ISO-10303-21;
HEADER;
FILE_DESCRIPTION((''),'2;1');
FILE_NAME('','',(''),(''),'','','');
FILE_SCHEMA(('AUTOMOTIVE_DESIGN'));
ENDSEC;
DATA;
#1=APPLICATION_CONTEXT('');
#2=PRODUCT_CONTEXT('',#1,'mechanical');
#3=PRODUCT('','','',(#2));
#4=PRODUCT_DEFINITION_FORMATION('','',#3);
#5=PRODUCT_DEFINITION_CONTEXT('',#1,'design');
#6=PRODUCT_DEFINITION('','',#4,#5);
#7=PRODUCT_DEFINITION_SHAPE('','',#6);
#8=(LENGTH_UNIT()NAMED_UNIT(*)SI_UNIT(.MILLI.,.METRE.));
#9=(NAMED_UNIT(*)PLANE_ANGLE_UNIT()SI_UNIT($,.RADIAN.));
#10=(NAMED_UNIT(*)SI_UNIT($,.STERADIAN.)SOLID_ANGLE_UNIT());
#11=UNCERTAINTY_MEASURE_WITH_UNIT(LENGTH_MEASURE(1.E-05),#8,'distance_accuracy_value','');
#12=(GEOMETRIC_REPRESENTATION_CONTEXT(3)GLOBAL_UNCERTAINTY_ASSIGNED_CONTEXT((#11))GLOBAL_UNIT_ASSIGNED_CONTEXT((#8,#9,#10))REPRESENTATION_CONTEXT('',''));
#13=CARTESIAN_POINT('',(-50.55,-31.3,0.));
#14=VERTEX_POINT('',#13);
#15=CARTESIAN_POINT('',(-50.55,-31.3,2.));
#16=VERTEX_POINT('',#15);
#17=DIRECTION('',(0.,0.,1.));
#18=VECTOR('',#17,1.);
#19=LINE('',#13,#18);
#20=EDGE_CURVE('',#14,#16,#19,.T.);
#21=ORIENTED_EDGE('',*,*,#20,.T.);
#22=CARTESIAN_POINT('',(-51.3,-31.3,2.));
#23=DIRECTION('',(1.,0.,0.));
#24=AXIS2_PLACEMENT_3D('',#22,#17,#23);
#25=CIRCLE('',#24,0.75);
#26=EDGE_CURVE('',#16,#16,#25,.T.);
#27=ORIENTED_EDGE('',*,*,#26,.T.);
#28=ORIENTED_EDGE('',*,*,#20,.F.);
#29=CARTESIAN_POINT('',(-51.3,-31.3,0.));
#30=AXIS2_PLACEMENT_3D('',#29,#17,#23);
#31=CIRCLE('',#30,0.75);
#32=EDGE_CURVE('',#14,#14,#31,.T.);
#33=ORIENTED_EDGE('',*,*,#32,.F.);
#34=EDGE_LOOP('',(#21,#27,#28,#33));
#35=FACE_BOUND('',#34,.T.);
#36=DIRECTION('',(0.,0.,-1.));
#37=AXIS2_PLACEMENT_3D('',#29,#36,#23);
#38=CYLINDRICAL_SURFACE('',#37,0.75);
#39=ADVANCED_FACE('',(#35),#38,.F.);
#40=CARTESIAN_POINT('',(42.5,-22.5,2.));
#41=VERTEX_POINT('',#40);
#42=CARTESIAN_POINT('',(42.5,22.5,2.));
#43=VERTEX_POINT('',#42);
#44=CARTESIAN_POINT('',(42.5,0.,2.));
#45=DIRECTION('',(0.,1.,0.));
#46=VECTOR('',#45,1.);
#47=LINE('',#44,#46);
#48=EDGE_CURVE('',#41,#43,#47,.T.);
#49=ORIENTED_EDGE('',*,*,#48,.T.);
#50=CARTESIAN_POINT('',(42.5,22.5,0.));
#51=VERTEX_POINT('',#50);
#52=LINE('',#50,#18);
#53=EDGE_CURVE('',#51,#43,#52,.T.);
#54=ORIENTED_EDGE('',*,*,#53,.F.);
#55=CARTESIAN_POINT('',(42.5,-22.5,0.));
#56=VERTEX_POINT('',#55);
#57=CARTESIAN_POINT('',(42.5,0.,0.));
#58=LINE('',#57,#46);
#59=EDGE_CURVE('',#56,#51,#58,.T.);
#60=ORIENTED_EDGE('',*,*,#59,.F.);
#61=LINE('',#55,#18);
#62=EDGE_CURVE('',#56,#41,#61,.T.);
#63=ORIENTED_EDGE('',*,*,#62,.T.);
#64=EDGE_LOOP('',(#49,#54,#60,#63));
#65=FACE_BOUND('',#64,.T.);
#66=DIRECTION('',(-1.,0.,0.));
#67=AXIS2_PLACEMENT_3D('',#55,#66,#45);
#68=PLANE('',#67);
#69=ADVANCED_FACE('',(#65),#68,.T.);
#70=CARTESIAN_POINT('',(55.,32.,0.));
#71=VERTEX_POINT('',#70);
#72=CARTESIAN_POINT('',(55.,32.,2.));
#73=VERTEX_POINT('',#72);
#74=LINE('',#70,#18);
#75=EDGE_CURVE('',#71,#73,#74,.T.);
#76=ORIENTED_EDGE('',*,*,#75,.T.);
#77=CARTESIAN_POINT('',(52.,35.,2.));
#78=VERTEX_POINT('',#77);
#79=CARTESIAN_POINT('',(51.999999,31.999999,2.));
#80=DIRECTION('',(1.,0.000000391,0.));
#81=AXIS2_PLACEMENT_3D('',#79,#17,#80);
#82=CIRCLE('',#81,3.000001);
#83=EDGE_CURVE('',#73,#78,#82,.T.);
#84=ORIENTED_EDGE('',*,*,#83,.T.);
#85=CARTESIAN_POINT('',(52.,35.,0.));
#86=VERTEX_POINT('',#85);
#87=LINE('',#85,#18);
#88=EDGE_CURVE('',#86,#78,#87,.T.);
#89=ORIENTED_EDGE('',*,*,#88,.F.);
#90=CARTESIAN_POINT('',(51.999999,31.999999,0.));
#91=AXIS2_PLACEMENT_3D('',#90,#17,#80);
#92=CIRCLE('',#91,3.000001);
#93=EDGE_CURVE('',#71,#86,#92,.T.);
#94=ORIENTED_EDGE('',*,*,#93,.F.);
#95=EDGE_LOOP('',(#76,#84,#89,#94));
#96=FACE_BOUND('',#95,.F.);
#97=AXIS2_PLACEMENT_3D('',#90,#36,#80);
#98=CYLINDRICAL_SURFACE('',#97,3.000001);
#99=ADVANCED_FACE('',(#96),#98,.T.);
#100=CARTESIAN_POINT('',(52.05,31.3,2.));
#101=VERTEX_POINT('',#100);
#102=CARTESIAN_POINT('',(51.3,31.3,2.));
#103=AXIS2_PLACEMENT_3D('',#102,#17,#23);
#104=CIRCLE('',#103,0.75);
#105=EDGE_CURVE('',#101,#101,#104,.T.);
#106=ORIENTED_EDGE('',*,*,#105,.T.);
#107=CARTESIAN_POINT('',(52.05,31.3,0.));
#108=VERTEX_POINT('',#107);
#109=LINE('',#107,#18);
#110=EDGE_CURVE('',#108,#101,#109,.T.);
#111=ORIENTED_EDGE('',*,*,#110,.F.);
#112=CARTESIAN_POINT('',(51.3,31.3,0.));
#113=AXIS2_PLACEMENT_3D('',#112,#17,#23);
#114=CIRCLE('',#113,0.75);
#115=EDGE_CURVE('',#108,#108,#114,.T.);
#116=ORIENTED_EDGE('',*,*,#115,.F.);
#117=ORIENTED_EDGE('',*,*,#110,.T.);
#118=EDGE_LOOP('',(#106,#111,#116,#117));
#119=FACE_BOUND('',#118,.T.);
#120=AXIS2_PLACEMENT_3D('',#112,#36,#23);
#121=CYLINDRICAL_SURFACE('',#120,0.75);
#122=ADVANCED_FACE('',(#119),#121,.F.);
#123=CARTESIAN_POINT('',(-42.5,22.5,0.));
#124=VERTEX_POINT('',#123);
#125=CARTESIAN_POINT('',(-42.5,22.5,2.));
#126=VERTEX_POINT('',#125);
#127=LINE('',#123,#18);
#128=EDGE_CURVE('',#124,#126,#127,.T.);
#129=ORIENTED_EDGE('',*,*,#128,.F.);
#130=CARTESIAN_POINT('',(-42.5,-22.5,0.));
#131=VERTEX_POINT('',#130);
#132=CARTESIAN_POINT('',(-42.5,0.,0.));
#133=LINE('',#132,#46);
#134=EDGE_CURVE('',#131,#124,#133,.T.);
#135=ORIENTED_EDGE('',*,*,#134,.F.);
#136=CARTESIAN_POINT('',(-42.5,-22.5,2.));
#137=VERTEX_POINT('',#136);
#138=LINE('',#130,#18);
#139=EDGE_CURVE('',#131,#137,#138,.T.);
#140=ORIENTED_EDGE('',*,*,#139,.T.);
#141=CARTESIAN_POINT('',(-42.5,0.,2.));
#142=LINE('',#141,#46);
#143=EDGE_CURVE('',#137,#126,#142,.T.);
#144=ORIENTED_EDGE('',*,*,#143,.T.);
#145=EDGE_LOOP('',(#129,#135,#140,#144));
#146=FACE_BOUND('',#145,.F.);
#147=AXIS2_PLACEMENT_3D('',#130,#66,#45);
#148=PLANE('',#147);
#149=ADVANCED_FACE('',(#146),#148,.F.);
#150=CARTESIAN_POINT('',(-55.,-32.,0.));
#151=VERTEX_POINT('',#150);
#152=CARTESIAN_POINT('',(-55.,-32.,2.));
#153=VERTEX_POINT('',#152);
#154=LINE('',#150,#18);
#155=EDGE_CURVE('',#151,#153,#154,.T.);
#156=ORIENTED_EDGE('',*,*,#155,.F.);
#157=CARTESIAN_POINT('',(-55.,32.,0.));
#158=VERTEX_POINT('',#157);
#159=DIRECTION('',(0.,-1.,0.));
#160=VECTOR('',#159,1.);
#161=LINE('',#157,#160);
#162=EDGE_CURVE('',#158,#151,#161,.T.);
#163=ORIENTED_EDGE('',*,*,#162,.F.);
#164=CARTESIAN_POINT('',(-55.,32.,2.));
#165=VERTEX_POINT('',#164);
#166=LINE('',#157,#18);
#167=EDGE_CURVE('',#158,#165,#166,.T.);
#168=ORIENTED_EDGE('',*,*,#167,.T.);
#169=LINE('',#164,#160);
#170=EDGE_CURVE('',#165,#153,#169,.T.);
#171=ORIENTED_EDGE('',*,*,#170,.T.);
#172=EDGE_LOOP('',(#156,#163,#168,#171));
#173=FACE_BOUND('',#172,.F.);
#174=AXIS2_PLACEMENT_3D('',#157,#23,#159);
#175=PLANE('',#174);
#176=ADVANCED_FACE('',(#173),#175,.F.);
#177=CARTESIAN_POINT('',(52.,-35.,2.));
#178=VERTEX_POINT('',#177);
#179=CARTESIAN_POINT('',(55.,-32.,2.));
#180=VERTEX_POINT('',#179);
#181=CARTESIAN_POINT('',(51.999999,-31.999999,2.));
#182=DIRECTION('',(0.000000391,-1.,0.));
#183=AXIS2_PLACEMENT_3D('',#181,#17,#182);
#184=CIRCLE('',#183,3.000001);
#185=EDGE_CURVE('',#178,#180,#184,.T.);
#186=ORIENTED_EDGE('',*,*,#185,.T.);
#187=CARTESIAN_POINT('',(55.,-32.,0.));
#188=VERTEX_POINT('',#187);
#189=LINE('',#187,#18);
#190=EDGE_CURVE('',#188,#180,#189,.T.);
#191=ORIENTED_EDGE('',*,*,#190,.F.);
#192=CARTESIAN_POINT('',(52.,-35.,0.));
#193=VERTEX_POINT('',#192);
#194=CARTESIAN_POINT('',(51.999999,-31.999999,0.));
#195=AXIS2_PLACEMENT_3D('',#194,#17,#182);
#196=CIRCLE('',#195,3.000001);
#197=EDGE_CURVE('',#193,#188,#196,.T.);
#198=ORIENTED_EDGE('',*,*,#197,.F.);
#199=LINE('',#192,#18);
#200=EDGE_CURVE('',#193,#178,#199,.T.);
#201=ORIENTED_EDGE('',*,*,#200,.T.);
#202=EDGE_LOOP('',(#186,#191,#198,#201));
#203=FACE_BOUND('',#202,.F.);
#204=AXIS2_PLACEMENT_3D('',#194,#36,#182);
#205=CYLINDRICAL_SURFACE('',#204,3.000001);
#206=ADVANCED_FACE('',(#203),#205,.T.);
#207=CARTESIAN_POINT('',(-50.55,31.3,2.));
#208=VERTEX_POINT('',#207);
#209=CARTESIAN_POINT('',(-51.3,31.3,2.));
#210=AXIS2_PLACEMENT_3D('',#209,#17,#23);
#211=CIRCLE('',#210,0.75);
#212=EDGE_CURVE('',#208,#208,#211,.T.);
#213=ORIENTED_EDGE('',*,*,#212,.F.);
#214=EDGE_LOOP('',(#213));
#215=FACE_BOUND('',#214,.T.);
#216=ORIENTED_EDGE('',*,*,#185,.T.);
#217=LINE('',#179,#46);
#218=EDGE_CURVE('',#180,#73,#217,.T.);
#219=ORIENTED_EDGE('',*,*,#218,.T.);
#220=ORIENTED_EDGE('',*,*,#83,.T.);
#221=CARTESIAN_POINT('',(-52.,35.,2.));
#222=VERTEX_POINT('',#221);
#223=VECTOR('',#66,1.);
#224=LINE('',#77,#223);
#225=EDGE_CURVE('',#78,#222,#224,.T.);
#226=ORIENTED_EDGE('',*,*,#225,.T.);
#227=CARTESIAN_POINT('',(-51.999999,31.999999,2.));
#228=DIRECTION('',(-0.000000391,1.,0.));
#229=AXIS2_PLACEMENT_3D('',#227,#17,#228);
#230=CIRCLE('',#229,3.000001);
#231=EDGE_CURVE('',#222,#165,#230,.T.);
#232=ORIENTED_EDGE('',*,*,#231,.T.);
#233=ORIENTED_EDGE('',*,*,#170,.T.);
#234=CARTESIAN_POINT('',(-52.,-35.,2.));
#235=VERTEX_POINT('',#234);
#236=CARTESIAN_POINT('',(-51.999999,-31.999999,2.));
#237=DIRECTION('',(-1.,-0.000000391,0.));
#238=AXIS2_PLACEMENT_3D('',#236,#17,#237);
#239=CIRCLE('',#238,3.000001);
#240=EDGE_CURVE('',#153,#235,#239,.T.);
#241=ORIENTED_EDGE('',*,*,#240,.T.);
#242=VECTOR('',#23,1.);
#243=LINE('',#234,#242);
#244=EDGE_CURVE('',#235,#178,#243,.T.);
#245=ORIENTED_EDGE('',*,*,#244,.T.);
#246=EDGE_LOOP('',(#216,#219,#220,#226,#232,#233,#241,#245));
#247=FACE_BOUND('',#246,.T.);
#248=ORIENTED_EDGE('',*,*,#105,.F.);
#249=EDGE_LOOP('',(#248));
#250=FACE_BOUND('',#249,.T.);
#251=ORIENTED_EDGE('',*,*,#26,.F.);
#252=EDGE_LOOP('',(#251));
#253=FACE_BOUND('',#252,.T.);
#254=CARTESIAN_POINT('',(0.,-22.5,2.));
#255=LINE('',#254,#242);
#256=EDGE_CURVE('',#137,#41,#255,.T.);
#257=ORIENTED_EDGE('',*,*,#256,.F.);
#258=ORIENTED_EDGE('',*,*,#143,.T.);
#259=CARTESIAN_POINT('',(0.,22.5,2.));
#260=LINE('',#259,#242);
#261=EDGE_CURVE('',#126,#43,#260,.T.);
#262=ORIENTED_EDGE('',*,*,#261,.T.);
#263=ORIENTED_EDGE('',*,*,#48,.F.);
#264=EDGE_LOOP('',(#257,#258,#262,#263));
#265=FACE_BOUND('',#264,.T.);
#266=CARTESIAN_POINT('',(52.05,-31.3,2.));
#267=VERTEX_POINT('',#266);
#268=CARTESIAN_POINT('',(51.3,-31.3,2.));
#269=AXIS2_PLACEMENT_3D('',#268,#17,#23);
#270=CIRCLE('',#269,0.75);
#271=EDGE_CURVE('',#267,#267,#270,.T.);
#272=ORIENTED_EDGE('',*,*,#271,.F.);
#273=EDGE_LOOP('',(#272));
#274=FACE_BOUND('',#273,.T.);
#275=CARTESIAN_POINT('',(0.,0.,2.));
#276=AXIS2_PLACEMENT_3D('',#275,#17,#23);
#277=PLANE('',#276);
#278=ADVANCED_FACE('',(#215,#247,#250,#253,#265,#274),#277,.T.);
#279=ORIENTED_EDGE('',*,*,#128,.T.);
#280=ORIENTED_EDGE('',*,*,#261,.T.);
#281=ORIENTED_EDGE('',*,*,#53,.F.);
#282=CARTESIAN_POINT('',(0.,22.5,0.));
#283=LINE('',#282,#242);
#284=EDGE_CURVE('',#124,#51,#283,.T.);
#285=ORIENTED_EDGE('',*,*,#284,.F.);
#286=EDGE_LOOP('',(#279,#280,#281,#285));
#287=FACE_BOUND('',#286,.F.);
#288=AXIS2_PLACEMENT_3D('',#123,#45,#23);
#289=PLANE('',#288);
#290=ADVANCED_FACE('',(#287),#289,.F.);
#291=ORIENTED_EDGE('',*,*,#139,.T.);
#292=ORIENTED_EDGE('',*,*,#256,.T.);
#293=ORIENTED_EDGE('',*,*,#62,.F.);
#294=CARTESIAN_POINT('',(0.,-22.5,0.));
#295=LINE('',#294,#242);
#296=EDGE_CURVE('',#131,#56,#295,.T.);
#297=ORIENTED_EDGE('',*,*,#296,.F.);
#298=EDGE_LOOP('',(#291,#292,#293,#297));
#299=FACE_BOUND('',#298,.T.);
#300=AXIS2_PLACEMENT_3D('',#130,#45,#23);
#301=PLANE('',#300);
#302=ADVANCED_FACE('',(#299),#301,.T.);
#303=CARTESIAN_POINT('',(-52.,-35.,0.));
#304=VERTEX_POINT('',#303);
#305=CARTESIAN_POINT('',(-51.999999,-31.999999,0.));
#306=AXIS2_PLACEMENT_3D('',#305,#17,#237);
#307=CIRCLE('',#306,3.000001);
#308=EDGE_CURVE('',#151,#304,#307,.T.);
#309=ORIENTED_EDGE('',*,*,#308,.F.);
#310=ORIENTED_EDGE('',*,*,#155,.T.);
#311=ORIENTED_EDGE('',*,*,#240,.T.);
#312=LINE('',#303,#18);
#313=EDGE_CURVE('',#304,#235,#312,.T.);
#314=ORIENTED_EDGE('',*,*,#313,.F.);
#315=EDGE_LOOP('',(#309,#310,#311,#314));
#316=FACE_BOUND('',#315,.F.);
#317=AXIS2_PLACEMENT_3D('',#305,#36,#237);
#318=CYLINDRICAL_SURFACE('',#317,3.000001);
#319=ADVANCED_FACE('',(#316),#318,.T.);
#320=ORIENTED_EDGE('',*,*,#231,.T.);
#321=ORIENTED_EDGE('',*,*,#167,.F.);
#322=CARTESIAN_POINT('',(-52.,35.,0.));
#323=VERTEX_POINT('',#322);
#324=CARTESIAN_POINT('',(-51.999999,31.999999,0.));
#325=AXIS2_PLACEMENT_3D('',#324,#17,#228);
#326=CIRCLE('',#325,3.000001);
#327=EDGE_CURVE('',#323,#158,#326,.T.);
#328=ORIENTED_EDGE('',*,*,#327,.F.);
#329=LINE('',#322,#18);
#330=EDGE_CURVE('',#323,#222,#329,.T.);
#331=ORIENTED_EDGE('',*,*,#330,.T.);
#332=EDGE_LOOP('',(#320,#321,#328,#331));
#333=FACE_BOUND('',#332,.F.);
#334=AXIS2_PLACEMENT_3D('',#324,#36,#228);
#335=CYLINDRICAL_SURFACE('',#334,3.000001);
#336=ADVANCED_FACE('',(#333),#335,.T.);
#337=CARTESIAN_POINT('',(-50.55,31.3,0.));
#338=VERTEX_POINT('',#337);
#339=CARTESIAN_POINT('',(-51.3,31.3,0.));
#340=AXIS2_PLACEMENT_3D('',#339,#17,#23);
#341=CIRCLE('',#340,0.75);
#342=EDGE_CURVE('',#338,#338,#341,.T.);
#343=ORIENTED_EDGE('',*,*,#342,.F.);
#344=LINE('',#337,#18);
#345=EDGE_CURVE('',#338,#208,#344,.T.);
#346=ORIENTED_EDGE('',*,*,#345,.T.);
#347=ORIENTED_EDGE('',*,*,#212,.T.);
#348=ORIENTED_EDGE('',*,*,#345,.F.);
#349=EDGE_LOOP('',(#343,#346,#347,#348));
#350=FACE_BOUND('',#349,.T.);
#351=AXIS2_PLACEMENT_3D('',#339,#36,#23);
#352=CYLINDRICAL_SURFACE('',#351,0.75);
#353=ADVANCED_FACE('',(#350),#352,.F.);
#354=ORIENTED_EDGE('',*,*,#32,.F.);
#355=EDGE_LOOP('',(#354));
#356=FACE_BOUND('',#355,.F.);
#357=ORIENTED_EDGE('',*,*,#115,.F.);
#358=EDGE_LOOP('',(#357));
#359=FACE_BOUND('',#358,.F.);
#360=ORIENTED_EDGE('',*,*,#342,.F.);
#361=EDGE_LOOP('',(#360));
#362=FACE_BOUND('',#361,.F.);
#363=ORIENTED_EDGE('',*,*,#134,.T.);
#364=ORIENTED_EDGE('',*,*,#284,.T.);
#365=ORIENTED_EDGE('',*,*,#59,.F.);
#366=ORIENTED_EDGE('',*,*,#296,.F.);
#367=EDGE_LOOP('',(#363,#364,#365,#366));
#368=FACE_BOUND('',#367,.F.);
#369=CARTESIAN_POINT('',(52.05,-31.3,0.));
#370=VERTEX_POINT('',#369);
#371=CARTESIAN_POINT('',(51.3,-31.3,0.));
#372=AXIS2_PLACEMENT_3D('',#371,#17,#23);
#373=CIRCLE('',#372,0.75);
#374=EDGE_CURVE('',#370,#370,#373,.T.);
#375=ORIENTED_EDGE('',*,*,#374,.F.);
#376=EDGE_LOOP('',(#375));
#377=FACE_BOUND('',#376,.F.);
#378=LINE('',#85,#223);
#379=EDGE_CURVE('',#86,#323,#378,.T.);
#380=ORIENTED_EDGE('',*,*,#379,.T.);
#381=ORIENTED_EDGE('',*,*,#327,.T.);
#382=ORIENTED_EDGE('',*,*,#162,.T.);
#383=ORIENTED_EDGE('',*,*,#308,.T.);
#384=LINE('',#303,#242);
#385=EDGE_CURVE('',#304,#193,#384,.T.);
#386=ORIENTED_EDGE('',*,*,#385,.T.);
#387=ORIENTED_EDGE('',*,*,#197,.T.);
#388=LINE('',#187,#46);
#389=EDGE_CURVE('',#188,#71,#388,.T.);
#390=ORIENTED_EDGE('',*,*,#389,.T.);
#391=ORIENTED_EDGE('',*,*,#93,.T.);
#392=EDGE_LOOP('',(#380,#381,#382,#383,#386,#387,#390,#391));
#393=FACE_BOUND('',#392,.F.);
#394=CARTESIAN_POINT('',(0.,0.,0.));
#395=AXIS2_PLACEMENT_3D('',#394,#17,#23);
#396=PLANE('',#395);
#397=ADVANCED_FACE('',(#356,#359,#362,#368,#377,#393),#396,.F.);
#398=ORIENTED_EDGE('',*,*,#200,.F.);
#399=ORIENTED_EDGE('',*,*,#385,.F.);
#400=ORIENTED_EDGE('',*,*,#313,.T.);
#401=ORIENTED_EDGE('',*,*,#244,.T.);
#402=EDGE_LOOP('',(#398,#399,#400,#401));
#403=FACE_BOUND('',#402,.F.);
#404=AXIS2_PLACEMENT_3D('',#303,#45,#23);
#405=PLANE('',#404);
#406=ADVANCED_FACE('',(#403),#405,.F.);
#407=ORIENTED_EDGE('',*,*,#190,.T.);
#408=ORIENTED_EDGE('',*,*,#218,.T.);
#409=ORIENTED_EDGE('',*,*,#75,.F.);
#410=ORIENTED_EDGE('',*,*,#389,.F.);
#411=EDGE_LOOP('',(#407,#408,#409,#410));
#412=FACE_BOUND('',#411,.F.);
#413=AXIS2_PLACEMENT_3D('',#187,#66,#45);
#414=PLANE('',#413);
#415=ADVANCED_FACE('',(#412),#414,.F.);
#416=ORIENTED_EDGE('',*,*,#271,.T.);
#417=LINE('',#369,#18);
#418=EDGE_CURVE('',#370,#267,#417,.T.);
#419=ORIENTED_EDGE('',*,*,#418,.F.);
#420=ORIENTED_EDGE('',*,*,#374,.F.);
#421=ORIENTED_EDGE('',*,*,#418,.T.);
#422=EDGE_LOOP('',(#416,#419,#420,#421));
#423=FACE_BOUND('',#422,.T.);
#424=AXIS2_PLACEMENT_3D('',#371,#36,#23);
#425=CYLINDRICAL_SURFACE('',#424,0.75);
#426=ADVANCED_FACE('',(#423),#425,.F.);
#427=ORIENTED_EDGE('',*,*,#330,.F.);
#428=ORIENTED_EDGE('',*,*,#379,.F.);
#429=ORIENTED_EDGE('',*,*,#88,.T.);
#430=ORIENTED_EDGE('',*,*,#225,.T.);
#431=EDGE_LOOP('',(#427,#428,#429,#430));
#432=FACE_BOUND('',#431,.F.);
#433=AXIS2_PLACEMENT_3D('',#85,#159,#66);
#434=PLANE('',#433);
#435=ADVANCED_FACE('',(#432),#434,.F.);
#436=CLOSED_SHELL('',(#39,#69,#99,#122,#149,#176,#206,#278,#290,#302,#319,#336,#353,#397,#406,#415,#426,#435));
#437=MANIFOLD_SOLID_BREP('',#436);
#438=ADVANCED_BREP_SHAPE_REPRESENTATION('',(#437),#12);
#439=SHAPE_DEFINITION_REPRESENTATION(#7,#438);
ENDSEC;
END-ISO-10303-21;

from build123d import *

# Parameters (mm, degrees)
F0_R     = 0.75
F0_W     = 85
F0_H     = 45
F1_DEPTH = 2


with BuildPart() as f1:
    # F0 (on Top) → F1 (new body)
    with BuildSketch(Plane.XY):
        with BuildLine():
            ThreePointArc((55, 32), (54.12132, 34.12132), (52, 35))
            Line((52, 35), (-52, 35))
            ThreePointArc((-52, 35), (-54.12132, 34.12132), (-55, 32))
            Line((-55, 32), (-55, -32))
            ThreePointArc((-55, -32), (-54.12132, -34.12132), (-52, -35))
            Line((-52, -35), (52, -35))
            ThreePointArc((52, -35), (54.12132, -34.12132), (55, -32))
            Line((55, -32), (55, 32))
        make_face()
        with Locations((-51.3, -31.3)):
            Circle(F0_R, mode=Mode.SUBTRACT)
        with Locations((51.3, -31.3)):
            Circle(F0_R, mode=Mode.SUBTRACT)
        with Locations((-51.3, 31.3)):
            Circle(F0_R, mode=Mode.SUBTRACT)
        Rectangle(F0_W, F0_H, mode=Mode.SUBTRACT)
        with Locations((51.3, 31.3)):
            Circle(F0_R, mode=Mode.SUBTRACT)
    extrude(amount=F1_DEPTH)


solid = f1.part
